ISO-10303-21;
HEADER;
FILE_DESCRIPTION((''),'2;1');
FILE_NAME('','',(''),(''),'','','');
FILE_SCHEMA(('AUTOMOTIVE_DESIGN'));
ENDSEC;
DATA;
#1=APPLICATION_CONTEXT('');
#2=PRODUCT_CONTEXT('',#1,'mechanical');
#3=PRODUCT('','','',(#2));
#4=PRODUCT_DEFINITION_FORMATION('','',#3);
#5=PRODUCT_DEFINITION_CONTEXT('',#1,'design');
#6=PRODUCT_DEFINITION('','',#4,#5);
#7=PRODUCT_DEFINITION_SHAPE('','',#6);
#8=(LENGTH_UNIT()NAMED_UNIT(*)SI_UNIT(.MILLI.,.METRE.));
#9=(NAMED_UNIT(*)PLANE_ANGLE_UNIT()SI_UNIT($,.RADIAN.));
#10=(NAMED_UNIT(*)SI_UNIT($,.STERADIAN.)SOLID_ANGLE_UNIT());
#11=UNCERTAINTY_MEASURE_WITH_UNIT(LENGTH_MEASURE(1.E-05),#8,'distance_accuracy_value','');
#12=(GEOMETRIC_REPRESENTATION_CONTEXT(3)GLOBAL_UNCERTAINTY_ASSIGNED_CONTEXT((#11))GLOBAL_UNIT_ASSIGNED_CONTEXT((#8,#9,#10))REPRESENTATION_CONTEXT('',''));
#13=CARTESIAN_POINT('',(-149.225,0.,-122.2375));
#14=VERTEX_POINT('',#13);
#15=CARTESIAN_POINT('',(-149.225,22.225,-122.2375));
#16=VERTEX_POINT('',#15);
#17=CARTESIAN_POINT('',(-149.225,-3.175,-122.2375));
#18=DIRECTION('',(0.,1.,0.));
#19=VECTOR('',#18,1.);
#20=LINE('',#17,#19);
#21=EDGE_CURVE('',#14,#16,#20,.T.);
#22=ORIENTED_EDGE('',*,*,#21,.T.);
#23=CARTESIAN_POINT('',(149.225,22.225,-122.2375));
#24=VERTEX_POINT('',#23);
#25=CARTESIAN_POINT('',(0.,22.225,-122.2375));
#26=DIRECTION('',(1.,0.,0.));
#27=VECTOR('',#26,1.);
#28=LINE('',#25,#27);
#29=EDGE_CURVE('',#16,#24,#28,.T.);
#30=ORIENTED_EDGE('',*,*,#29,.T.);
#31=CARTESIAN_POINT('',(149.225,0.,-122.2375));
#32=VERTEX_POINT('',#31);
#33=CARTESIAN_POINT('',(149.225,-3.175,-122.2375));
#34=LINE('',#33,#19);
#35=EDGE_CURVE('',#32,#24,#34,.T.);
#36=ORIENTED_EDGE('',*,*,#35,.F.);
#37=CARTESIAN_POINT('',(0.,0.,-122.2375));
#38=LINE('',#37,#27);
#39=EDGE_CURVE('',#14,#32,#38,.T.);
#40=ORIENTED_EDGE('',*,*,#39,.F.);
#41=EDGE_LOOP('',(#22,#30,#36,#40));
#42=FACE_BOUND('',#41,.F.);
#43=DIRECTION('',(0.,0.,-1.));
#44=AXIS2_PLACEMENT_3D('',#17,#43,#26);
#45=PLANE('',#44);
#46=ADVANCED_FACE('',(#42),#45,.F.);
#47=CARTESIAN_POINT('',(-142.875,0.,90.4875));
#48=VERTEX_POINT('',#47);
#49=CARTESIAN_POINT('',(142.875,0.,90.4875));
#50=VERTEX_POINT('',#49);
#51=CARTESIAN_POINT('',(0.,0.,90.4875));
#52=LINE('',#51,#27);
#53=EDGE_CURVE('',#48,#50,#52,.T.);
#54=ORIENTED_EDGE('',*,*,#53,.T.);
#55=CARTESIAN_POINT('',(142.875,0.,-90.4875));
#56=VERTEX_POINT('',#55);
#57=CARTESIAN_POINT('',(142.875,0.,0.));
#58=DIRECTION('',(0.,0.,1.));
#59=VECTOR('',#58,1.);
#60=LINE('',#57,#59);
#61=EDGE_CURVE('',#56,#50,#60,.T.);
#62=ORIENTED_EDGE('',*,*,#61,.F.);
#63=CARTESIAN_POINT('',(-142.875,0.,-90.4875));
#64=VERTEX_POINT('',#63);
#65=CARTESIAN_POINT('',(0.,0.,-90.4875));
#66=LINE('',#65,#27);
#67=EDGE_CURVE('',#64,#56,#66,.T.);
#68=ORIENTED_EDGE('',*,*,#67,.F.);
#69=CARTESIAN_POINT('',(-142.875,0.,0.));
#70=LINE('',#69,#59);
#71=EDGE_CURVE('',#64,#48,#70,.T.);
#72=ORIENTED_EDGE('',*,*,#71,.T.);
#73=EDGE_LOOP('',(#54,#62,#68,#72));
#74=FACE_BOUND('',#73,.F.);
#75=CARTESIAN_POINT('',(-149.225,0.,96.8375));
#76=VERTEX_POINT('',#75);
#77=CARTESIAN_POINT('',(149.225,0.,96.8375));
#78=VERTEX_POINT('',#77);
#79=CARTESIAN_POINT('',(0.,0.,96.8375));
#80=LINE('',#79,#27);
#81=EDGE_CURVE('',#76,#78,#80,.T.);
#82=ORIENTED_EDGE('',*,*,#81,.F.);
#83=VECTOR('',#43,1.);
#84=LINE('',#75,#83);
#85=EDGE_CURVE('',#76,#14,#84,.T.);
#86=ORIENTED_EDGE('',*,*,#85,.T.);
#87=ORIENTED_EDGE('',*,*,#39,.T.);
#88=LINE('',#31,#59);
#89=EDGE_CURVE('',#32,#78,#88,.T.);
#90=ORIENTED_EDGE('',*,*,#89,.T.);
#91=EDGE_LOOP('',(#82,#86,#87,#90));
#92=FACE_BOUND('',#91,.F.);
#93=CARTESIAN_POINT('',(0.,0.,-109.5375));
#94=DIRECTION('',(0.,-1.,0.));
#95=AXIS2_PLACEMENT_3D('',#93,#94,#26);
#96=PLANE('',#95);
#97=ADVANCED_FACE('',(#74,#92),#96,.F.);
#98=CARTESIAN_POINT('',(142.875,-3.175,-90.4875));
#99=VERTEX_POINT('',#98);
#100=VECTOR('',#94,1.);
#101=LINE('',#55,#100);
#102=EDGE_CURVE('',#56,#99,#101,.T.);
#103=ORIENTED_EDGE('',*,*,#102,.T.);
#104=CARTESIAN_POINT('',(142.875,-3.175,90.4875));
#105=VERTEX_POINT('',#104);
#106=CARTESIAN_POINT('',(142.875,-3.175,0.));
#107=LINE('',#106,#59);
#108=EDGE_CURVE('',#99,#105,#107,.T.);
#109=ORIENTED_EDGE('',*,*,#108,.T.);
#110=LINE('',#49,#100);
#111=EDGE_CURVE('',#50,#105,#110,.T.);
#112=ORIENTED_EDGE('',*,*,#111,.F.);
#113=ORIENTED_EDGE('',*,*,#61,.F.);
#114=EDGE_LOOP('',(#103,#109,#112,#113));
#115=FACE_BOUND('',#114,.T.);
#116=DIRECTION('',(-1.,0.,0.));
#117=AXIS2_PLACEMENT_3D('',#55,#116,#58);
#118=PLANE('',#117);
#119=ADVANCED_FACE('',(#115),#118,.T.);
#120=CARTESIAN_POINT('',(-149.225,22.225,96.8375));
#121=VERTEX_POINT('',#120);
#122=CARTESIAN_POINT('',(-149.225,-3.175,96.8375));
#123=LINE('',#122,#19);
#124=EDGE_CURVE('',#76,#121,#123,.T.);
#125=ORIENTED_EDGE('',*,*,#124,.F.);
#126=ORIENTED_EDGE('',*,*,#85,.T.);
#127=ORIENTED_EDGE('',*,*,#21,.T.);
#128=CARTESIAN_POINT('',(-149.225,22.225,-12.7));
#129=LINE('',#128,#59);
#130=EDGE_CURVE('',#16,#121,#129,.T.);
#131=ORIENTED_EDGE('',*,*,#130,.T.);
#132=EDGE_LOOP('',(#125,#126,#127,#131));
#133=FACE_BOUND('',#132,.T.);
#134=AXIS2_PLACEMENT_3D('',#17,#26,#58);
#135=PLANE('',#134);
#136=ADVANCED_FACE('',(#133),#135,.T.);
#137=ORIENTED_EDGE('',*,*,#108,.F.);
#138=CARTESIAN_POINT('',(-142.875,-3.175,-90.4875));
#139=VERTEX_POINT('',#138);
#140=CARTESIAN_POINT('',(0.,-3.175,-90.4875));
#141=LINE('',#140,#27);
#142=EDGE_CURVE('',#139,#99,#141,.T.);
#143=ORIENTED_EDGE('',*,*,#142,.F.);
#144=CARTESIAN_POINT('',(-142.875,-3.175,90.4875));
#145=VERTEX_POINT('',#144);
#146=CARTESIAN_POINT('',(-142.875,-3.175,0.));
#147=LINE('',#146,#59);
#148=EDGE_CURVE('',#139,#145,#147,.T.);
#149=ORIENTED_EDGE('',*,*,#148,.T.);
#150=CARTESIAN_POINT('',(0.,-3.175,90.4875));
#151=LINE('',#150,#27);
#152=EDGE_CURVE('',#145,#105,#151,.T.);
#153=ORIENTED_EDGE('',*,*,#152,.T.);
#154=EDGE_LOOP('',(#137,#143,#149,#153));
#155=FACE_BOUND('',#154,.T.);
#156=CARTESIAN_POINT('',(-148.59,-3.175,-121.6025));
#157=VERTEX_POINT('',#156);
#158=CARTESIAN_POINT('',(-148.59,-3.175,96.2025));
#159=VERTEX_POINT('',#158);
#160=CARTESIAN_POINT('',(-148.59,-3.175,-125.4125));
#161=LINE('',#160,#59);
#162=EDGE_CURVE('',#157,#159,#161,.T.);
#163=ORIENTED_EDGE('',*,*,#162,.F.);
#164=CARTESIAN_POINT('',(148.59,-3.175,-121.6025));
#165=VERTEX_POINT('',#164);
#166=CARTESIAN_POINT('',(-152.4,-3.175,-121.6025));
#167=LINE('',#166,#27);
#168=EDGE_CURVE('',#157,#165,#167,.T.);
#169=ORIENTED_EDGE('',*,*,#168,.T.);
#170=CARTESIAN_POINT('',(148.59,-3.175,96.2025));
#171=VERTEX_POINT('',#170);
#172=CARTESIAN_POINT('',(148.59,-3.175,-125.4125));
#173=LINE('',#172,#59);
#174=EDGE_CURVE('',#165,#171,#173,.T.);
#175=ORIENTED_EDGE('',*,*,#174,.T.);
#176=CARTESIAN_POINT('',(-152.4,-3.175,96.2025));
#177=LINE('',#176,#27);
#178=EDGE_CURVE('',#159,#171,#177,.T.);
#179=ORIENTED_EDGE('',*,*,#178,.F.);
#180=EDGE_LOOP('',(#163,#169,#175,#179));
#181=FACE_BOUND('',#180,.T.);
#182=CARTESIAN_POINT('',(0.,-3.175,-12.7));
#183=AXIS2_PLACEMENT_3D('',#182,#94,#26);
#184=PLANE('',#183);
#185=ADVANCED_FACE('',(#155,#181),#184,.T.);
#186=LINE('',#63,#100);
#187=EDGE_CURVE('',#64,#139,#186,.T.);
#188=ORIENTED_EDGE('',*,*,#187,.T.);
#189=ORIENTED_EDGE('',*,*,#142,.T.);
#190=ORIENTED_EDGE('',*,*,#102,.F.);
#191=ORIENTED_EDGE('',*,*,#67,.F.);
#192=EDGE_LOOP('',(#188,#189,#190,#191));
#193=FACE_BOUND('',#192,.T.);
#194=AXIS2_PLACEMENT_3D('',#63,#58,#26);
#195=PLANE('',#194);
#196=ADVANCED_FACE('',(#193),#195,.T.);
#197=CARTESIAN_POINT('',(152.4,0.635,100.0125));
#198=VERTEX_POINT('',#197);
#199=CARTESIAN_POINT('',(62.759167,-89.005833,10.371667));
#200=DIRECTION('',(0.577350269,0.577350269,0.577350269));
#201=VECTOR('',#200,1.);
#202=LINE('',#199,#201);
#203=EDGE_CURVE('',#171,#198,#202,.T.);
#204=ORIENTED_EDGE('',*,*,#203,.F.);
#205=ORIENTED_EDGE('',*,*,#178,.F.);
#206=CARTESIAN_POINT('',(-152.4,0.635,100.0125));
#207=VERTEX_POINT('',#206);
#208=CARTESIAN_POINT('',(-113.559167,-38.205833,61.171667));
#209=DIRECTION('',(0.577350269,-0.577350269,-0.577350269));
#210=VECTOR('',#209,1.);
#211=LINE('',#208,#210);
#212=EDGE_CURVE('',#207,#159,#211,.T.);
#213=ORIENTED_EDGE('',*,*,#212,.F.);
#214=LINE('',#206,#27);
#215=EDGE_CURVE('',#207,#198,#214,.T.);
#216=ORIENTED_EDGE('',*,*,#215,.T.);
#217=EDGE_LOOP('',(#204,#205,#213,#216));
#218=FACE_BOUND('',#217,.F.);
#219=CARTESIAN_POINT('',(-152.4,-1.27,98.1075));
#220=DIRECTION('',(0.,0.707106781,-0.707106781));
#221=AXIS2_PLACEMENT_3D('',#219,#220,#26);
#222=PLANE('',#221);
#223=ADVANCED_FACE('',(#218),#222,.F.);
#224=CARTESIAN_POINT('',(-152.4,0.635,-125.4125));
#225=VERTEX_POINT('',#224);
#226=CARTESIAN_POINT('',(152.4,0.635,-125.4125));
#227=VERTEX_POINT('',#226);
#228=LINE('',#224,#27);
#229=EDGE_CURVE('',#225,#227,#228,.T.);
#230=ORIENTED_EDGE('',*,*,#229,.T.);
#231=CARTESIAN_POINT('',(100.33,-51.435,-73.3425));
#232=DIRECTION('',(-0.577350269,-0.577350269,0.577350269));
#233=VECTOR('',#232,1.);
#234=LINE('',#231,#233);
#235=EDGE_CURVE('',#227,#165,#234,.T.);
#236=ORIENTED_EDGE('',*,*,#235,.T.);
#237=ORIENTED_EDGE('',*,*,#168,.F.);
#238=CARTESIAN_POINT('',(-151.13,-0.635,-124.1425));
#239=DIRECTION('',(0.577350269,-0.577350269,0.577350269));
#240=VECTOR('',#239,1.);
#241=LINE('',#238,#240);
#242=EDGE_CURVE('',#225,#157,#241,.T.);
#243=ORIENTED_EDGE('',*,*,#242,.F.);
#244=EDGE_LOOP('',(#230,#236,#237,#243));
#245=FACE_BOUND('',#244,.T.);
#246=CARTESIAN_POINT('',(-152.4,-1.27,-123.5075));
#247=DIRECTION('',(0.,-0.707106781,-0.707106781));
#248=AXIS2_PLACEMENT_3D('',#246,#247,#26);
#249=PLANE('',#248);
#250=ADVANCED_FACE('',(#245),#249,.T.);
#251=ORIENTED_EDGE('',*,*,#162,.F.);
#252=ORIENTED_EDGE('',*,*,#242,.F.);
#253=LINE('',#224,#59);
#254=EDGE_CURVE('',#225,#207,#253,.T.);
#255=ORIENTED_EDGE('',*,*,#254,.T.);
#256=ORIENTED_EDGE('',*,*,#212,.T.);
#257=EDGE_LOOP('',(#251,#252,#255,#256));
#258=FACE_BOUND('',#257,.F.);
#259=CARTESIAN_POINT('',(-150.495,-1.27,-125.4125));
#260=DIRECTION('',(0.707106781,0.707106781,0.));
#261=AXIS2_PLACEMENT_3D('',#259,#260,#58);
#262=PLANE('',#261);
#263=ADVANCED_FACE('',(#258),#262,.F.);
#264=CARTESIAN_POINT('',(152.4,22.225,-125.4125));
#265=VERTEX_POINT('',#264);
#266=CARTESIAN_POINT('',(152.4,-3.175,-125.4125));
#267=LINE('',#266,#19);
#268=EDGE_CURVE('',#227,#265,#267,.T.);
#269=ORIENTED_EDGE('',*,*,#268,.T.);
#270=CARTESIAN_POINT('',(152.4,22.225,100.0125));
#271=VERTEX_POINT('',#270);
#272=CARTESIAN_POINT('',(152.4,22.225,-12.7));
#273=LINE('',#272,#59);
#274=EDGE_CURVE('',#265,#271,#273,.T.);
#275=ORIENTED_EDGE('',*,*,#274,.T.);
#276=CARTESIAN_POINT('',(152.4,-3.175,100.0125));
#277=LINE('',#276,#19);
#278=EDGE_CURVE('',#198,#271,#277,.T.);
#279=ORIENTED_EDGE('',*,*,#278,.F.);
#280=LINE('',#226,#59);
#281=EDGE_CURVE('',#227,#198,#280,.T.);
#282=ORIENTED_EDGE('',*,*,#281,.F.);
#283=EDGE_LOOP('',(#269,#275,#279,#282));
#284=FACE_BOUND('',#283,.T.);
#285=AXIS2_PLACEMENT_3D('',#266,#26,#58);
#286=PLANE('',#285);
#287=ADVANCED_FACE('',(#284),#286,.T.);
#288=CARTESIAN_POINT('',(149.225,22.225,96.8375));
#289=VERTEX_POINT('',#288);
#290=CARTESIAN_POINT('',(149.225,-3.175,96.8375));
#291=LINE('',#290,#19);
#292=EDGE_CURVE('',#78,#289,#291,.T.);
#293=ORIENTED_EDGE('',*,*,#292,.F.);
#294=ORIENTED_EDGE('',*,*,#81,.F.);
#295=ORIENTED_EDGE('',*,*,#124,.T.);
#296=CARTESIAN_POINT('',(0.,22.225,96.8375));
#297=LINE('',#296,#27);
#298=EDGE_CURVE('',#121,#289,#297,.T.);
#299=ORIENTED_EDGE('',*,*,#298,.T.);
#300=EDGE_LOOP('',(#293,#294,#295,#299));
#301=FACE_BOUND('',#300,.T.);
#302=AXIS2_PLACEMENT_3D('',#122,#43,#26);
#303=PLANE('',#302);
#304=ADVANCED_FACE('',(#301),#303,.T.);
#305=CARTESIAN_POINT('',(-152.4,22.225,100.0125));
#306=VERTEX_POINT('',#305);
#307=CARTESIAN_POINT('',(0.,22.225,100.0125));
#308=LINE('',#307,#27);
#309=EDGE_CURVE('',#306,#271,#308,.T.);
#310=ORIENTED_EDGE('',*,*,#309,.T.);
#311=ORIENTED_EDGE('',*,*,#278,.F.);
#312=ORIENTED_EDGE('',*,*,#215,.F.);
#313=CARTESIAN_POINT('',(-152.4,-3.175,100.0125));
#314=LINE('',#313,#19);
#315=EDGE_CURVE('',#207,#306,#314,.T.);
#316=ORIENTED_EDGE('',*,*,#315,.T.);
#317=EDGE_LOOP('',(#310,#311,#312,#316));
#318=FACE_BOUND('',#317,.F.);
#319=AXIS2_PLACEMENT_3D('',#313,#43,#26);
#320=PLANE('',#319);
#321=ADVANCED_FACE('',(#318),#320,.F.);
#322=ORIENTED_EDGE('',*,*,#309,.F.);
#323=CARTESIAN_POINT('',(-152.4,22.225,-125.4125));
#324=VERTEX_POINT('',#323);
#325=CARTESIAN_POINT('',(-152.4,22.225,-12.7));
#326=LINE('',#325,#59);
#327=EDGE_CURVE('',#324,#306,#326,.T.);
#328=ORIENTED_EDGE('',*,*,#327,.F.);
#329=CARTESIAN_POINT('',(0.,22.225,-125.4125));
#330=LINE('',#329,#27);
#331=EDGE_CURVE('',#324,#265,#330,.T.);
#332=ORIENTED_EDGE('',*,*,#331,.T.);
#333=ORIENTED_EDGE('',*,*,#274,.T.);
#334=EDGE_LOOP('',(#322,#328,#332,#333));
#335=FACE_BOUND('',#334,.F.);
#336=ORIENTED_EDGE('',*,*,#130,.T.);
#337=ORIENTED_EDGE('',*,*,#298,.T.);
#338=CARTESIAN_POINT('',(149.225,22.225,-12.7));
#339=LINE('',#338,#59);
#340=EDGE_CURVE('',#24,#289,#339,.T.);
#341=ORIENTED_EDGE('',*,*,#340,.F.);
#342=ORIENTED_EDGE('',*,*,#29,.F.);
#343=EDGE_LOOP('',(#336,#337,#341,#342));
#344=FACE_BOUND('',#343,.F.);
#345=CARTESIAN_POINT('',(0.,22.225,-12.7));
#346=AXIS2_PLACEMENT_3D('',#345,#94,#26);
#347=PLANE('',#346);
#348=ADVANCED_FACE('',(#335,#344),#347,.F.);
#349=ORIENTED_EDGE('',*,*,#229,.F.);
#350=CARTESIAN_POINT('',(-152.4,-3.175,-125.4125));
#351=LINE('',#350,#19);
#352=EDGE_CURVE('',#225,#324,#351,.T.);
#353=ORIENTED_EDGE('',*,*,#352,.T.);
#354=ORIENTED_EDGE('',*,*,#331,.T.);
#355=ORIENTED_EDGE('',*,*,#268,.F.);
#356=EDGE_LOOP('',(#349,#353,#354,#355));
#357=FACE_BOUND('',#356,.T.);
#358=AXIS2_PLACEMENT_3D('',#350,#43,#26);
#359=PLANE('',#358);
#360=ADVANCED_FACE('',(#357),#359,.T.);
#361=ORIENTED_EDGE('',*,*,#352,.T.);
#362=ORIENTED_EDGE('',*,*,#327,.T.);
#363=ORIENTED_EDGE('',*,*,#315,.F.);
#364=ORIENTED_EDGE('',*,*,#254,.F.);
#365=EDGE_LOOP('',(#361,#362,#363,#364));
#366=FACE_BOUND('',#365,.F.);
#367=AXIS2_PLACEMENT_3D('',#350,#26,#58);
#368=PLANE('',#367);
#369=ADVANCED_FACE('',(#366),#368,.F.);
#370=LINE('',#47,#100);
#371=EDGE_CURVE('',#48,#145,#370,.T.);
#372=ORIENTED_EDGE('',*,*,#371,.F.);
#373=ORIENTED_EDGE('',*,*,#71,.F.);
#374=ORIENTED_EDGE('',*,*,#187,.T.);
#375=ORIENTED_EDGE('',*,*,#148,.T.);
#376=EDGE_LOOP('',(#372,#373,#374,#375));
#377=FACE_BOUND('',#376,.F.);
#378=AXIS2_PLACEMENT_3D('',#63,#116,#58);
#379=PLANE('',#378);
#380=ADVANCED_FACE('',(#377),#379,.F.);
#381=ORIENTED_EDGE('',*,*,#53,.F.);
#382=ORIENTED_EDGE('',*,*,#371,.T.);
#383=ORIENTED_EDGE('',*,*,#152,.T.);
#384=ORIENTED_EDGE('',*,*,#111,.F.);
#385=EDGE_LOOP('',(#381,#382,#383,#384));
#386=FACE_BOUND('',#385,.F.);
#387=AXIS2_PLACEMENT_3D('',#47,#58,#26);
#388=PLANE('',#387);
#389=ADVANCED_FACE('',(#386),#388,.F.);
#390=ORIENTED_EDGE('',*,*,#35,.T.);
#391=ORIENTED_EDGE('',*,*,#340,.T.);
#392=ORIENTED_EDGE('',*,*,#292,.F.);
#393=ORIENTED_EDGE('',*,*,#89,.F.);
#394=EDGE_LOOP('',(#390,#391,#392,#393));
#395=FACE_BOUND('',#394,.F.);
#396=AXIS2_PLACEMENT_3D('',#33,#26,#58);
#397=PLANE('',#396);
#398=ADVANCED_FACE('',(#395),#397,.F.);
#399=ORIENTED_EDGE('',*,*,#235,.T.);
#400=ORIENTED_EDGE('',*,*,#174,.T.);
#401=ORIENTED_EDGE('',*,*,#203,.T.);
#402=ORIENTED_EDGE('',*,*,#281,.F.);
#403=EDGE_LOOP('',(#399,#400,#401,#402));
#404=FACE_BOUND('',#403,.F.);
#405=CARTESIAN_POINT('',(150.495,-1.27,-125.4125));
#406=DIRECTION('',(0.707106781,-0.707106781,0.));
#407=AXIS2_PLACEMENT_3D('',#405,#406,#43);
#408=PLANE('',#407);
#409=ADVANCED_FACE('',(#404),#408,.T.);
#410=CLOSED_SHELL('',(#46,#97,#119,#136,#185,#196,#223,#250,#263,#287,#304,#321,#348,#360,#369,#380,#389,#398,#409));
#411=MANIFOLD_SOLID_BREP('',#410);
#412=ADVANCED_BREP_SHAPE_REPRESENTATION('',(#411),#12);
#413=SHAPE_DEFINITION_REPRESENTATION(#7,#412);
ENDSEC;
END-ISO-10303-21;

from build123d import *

# Parameters (mm, degrees)
F0_W     = 298.45
F0_H     = 25.4
F0_H_2   = 193.675
F0_W_2   = 285.75
F0_H_3   = 180.975
F1_DEPTH = 3.175
F2_W     = 304.8
F2_H     = 225.425
F2_W_2   = 298.45
F2_H_2   = 219.075
F3_DEPTH = 25.4
F4_SIZE  = 3.81


with BuildPart() as f1:
    # F0 (on Front) → F1 (new body)
    with BuildSketch(Plane.XZ):
        with Locations((0, -109.5375)):
            Rectangle(F0_W, F0_H)
        Rectangle(F0_W, F0_H_2)
        Rectangle(F0_W_2, F0_H_3, mode=Mode.SUBTRACT)
    extrude(amount=F1_DEPTH)

    # F2 (on face) → F3 (join)
    with BuildSketch(Plane.XZ.offset(3.175)):
        with Locations((0, -12.7)):
            Rectangle(F2_W, F2_H)
        with Locations((0, -12.7)):
            Rectangle(F2_W_2, F2_H_2, mode=Mode.SUBTRACT)
    extrude(amount=-F3_DEPTH)

    # F4
    f4_edges = [f1.edges().sort_by_distance(p)[0] for p in [
        (-152.4, -3.175, -12.7),
        (0, -3.175, -125.4125),
        (152.4, -3.175, -12.7),
        (0, -3.175, 100.0125),
    ]]
    chamfer(f4_edges, length=F4_SIZE)


solid = f1.part
